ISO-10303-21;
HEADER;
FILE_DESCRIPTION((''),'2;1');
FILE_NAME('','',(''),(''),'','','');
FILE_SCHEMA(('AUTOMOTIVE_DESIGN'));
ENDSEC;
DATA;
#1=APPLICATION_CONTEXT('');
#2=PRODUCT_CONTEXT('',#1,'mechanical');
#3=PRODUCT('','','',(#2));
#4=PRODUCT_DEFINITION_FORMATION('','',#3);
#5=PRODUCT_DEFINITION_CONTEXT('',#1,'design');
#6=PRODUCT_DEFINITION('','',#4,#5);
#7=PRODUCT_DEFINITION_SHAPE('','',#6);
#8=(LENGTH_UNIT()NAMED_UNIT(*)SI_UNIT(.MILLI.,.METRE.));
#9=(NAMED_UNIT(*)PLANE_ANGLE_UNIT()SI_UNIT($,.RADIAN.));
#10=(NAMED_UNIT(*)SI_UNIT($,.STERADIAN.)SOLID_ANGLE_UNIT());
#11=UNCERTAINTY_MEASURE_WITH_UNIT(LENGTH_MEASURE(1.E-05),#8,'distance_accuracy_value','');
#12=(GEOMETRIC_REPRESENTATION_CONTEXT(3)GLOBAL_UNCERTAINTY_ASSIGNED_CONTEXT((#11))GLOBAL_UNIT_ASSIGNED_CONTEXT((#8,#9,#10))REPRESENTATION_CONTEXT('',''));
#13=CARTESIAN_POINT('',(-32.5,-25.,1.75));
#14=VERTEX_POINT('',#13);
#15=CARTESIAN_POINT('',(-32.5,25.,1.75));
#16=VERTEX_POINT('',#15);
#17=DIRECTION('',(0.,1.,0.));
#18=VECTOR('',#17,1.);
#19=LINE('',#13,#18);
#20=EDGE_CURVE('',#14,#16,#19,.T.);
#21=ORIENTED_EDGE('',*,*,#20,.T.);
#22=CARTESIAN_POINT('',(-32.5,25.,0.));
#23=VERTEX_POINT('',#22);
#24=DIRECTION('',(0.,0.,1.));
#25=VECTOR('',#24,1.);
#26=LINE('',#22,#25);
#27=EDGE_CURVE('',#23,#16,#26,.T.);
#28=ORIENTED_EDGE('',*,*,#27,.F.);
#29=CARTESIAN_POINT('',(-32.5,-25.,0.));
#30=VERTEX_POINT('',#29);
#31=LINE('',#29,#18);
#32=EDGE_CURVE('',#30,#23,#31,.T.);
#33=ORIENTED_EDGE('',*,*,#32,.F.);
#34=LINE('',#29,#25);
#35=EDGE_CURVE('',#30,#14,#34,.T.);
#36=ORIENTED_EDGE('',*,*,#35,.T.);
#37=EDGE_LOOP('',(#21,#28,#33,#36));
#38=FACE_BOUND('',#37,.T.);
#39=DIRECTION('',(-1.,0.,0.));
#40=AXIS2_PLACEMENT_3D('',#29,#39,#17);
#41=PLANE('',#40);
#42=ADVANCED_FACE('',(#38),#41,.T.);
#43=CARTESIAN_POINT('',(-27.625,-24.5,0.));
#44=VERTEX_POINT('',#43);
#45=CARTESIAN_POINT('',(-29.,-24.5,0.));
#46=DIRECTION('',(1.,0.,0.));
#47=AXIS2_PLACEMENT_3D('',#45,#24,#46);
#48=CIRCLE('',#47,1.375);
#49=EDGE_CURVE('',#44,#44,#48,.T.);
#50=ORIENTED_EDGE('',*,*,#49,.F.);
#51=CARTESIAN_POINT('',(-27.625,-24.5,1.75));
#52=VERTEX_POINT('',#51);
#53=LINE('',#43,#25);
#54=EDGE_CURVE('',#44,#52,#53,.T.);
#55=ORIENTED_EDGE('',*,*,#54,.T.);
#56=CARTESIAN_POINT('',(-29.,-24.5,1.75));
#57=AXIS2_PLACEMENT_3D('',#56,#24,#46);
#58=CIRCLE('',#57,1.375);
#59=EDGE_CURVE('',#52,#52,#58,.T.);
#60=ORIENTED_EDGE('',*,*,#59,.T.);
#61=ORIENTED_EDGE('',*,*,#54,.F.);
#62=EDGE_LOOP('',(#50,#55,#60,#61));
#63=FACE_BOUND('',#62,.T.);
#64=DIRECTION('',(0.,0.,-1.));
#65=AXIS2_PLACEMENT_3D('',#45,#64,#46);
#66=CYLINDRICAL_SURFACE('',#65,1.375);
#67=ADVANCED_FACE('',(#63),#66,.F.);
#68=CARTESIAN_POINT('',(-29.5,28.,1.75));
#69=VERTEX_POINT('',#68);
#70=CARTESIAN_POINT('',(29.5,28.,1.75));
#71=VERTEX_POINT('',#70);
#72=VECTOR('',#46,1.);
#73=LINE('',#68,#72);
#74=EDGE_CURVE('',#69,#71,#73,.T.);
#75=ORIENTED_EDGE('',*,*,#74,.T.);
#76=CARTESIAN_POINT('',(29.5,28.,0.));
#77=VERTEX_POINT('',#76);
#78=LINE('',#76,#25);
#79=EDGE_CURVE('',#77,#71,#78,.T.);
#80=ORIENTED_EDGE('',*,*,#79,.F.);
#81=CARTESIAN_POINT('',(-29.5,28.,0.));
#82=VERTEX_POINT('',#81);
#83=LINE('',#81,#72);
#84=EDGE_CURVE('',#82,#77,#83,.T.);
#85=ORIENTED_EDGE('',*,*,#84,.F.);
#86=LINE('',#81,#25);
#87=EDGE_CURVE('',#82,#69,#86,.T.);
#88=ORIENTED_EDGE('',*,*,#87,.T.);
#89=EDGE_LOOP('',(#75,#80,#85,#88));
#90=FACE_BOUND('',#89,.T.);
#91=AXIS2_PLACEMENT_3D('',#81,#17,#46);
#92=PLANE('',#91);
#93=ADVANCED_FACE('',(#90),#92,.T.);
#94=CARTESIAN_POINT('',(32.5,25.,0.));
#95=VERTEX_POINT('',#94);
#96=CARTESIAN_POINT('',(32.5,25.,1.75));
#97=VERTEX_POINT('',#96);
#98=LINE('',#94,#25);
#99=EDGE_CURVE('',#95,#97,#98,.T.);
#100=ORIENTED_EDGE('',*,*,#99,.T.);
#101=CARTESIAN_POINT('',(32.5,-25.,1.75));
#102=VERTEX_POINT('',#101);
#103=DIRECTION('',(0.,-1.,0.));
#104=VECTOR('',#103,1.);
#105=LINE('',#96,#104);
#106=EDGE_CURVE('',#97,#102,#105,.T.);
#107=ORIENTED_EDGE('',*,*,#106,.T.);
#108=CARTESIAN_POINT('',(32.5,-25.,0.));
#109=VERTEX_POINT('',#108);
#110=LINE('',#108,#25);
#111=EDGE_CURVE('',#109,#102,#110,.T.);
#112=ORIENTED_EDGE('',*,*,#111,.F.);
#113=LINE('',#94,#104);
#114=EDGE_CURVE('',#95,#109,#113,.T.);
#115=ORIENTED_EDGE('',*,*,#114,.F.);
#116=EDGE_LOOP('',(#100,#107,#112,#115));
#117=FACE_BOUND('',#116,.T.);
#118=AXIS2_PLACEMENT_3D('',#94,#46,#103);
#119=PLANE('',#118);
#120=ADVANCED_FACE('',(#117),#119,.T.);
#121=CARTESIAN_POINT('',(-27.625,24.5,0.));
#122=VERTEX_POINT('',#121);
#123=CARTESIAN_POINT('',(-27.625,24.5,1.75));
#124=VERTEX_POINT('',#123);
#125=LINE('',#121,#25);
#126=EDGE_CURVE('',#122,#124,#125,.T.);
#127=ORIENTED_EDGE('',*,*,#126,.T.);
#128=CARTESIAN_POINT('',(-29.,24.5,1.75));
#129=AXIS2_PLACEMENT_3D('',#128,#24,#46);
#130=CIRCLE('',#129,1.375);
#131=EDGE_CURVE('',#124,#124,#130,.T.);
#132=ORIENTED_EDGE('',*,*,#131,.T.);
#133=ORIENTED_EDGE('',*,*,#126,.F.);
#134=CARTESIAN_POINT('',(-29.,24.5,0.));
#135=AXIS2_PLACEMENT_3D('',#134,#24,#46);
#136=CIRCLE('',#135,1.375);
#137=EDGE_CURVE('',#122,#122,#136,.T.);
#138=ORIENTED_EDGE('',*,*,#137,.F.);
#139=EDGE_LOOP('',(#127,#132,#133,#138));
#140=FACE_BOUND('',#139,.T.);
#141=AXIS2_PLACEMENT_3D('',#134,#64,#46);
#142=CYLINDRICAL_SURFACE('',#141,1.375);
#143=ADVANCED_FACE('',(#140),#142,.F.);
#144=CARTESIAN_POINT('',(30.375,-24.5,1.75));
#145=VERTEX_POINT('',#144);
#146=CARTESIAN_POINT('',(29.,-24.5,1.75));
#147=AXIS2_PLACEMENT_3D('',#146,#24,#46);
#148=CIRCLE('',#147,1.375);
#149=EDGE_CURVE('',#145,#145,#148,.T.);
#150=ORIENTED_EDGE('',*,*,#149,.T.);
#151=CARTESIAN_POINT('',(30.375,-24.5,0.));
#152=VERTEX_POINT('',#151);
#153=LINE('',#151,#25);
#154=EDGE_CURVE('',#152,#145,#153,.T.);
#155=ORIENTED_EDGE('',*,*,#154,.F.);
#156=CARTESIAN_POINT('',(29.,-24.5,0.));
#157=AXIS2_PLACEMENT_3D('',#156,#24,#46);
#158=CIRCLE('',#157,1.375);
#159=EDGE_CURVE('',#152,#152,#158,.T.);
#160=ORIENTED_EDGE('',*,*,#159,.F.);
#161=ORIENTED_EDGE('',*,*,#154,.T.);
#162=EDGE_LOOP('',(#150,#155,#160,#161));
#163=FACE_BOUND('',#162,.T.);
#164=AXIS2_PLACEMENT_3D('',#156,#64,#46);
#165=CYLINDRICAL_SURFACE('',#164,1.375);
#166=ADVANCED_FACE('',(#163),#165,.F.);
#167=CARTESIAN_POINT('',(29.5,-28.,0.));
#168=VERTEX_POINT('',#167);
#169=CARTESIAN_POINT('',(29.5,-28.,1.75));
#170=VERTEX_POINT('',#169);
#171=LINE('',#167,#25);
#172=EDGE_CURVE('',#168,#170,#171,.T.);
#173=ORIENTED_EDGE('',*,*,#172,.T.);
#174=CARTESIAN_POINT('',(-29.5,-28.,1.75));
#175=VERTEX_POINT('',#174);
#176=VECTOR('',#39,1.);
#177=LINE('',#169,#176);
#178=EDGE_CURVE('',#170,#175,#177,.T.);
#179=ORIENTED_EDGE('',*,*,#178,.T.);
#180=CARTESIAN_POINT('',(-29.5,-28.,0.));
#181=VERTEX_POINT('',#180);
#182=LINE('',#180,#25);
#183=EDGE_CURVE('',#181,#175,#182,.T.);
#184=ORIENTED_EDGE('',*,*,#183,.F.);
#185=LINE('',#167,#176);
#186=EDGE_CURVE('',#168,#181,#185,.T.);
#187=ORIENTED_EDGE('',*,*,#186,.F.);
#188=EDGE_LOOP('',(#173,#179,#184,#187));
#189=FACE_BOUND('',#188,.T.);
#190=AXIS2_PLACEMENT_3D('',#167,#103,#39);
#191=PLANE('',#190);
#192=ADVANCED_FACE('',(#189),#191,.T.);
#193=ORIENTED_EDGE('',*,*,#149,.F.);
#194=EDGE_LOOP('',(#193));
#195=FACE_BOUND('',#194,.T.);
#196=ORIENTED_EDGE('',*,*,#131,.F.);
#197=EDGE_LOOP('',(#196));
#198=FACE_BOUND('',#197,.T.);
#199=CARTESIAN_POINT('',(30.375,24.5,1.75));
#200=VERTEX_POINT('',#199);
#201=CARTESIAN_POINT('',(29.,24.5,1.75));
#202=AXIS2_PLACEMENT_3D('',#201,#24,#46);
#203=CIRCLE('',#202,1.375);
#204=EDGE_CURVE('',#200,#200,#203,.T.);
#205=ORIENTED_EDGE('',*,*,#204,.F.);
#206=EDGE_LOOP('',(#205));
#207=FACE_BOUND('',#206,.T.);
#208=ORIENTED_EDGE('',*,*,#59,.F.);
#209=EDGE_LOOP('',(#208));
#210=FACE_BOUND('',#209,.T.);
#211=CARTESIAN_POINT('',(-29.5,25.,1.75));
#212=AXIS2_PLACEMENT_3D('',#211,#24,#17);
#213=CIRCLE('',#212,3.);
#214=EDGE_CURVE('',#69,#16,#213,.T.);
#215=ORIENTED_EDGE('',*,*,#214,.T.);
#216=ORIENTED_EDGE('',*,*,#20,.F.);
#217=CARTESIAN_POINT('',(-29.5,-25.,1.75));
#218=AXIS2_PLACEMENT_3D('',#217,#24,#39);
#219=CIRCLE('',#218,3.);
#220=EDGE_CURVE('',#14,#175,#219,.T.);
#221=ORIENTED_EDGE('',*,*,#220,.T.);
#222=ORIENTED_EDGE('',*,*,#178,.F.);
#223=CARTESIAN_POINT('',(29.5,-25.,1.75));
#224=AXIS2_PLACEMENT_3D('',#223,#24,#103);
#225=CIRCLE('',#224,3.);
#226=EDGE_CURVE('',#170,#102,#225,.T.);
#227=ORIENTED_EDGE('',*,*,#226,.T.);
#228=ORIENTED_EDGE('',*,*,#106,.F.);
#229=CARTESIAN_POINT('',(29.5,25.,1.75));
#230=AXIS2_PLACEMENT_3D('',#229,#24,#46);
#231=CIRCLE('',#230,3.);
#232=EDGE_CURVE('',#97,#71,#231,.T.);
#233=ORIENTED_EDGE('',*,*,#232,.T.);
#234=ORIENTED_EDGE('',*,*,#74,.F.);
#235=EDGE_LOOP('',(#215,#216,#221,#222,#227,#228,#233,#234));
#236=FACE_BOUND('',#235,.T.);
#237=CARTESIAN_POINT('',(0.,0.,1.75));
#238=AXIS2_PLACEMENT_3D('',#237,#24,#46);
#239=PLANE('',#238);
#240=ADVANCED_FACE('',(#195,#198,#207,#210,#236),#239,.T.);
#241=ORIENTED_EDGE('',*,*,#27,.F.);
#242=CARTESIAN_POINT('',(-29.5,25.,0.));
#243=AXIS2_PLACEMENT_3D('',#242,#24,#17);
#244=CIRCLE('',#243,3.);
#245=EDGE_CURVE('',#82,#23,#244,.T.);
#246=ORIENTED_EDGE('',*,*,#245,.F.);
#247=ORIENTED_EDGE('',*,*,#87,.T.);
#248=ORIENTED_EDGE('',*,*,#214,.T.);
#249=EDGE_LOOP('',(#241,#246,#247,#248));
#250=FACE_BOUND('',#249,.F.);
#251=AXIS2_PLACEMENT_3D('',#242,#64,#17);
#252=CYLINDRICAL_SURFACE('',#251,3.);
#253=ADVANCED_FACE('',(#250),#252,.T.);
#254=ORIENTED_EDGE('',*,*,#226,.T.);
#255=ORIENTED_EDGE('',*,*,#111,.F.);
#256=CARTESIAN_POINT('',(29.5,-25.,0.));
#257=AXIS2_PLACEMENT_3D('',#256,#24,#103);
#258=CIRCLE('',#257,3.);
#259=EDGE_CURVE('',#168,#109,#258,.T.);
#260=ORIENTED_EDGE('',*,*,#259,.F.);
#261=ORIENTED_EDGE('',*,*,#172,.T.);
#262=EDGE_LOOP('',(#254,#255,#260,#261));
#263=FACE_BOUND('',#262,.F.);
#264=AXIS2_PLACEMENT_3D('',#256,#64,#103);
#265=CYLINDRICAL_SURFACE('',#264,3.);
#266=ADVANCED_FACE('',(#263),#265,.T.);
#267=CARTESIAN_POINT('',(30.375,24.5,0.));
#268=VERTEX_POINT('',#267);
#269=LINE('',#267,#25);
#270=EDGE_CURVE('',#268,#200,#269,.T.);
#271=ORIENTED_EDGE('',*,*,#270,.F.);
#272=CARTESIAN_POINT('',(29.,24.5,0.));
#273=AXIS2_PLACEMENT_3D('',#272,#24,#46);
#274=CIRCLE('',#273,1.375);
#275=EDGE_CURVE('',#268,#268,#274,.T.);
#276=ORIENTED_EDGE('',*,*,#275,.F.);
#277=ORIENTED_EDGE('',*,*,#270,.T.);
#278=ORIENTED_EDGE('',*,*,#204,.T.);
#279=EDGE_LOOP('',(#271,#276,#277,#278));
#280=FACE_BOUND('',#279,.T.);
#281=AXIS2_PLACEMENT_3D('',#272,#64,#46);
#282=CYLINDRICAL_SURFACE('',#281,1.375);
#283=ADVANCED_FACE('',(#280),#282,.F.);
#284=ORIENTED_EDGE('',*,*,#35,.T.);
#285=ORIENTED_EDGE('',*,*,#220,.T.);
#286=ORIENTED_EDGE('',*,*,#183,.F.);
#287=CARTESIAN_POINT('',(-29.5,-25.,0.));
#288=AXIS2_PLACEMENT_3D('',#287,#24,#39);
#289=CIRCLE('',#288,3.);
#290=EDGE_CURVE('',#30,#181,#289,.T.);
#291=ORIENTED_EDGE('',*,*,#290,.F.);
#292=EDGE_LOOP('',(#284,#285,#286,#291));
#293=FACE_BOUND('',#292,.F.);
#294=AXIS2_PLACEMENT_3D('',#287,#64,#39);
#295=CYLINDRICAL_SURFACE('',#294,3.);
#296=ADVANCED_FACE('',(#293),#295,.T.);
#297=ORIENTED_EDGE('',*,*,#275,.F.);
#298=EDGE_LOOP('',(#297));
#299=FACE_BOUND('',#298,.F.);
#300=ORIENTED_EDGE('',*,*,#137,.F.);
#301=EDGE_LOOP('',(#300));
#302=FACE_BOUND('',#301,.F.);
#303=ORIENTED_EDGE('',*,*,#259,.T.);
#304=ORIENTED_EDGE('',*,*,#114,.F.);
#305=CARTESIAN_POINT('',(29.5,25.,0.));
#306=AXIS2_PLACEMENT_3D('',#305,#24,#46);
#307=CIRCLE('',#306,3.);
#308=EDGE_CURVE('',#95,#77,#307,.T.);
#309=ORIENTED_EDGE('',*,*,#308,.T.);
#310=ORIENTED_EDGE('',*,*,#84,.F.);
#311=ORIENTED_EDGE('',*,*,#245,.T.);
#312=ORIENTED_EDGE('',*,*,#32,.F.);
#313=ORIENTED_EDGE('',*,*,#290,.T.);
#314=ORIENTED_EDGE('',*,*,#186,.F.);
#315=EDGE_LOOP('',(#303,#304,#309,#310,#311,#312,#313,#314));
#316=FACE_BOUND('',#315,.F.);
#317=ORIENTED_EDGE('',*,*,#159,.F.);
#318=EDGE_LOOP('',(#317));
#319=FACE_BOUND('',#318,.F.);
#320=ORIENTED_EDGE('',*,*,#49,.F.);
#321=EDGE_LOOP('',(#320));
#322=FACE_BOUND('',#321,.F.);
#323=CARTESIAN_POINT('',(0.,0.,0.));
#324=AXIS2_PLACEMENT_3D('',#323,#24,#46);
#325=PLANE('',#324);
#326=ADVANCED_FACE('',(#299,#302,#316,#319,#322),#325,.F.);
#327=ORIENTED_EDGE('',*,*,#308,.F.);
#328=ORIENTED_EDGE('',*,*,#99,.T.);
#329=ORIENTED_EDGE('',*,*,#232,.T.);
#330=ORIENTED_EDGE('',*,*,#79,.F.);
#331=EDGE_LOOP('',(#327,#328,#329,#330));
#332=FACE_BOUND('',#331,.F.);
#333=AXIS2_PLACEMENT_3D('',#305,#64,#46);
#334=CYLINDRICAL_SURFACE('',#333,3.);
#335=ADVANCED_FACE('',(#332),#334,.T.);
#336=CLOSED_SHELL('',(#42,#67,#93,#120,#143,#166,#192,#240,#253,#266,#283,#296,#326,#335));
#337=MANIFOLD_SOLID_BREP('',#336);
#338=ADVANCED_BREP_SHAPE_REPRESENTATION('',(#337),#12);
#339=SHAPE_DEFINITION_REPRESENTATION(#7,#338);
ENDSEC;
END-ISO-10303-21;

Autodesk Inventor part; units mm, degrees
ref_plane "YZ Plane" through (0, 0, 0) normal (1, 0, 0) x (0, 1, 0)
ref_plane "XZ Plane" through (0, 0, 0) normal (0, 1, 0) x (-1, 0, 0)
ref_plane "XY Plane" through (0, 0, 0) normal (0, 0, 1) x (1, 0, 0)
sketch "Skizze1" plane through (0, 0, 0) normal (0, 0, 1) x (1, 0, 0)
  line L0 (-29.5, 28) -> (29.5, 28)
  line L1 (32.5, 25) -> (32.5, -25)
  line L2 (29.5, -28) -> (-29.5, -28)
  line L3 (-32.5, -25) -> (-32.5, 25)
  arc A0 (-29.5, 28) -> (-32.5, 25) centre (-29.5, 25) ccw
  arc A1 (-32.5, -25) -> (-29.5, -28) centre (-29.5, -25) ccw
  arc A2 (29.5, -28) -> (32.5, -25) centre (29.5, -25) ccw
  arc A3 (32.5, 25) -> (29.5, 28) centre (29.5, 25) ccw
  line L4 (-29, 24.5) -> (29, 24.5) construction
  line L5 (29, 24.5) -> (29, -24.5) construction
  line L6 (29, -24.5) -> (-29, -24.5) construction
  line L7 (-29, -24.5) -> (-29, 24.5) construction
  circle A4 centre (-29, 24.5) radius 1.375
  circle A5 centre (29, 24.5) radius 1.375
  circle A6 centre (-29, -24.5) radius 1.375
  circle A7 centre (29, -24.5) radius 1.375
  point P0 (0, 0)
  point P1 (32.5, -28)
  point P2 (32.5, 28)
  point P3 (-32.5, -28)
  point P4 (0, 28)
  point P5 (32.5, 0)
  point P6 (0, 24.5)
  point P7 (29, 0)
  dimension "d0" = 65
  dimension "d1" = 56
  dimension "d2" = 3
  dimension "d3" = 58
  dimension "d4" = 49
  dimension "d5" = 2.75
  dimension "d8" = 58
  dimension "d11" = 49
extrude "Extrusion1" add sketch "Skizze1" along normal blind 1.75
properties part number "Pi Foundation Display Driver Board"
